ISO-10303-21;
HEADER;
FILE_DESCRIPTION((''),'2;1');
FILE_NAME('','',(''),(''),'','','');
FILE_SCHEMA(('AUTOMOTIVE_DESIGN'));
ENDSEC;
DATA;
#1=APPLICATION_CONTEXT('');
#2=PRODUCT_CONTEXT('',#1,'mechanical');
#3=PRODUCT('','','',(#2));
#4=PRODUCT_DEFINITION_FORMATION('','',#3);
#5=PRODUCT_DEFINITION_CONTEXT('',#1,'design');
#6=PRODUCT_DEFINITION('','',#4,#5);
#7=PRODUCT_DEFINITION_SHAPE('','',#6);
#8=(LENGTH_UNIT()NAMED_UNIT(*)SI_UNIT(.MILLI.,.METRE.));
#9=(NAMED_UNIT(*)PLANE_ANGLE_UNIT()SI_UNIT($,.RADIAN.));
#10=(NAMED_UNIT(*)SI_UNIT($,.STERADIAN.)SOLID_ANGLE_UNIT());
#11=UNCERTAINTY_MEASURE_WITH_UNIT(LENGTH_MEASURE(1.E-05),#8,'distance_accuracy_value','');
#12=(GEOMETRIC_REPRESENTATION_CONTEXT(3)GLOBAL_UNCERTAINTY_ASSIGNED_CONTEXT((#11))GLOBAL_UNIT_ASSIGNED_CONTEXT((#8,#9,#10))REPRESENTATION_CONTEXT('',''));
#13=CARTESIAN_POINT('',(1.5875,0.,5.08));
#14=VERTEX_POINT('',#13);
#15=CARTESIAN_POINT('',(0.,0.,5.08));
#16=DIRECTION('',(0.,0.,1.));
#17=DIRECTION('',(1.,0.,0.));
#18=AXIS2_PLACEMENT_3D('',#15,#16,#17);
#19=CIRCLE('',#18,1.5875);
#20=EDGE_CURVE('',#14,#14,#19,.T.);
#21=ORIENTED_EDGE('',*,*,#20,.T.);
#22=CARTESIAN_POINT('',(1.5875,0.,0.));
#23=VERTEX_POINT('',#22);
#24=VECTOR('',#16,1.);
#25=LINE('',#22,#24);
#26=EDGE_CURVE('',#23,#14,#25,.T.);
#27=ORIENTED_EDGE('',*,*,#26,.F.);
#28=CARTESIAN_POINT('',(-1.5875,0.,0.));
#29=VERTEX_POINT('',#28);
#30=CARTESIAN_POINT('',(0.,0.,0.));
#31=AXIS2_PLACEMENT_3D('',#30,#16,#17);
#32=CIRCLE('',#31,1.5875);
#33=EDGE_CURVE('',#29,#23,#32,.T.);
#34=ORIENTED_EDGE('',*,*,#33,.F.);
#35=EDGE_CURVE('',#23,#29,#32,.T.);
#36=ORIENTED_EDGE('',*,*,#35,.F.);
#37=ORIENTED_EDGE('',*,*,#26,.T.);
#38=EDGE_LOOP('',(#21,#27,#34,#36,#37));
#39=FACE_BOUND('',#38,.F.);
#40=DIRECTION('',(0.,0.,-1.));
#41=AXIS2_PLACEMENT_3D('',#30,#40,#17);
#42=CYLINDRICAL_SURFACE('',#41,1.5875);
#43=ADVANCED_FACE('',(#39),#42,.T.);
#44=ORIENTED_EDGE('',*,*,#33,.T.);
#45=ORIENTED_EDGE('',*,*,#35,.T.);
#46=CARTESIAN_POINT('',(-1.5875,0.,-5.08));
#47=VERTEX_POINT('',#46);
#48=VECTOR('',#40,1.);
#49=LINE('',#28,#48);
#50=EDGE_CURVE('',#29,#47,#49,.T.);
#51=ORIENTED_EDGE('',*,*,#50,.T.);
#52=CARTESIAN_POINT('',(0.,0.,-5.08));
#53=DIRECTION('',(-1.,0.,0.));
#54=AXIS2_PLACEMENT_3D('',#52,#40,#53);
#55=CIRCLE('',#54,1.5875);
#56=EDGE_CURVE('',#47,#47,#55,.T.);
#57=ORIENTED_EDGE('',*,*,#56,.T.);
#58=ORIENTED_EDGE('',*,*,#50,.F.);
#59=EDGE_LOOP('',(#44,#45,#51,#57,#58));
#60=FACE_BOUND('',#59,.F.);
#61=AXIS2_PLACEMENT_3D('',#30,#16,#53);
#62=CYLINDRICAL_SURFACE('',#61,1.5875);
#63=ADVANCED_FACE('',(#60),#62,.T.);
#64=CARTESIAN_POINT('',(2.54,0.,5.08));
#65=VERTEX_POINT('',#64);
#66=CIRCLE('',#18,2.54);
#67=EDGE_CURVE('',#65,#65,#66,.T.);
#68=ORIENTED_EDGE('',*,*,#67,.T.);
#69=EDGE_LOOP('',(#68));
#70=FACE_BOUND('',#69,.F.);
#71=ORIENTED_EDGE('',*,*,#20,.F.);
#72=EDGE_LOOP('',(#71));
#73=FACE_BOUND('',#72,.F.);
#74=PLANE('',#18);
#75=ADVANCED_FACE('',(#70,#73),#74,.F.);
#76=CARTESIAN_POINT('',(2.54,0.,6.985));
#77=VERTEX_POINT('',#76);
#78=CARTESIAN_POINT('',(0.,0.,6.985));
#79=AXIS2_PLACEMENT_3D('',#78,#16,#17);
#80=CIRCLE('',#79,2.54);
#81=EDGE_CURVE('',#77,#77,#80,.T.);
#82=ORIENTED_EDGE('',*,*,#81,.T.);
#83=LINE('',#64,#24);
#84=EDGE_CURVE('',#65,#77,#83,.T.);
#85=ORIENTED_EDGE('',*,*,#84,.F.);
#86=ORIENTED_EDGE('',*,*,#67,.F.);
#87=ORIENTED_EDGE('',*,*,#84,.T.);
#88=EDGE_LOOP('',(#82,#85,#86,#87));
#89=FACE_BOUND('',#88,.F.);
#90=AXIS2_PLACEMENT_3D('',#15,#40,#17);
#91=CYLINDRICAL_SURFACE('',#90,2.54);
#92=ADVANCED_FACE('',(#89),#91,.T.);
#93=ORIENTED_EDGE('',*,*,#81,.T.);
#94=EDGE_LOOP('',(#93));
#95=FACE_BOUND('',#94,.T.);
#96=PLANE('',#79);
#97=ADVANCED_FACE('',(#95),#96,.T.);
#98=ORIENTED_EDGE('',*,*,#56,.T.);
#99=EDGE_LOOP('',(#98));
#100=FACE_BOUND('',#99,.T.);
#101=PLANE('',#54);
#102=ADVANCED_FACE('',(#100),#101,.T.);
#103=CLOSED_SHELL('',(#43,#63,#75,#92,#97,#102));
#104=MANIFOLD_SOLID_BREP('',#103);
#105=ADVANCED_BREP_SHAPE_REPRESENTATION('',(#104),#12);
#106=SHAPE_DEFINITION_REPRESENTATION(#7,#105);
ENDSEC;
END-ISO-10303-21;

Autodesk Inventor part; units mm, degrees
ref_plane "YZ Plane" through (0, 0, 0) normal (1, 0, 0) x (0, 1, 0)
ref_plane "XZ Plane" through (0, 0, 0) normal (0, 1, 0) x (-1, 0, 0)
ref_plane "XY Plane" through (0, 0, 0) normal (0, 0, 1) x (1, 0, 0)
sketch "Sketch1" plane through (0, 0, 0) normal (0, 0, 1) x (1, 0, 0)
  circle A0 centre (0, 0) radius 1.5875
  dimension "d0" = 3.175
extrude "Extrusion1" add sketch "Sketch1" along normal blind 5.08
sketch "Sketch2" plane through (0, 0, 5.08) normal (0, 0, 1) x (1, 0, 0)
  circle A0 centre (0, 0) radius 2.54
  dimension "d3" = 5.08
extrude "Extrusion2" add sketch "Sketch2" along normal blind 1.905
thread "Thread1" size "5-40 UNC" class "2A" standard "ANSI Unified Screw Threads" full length
sketch "Sketch3" plane through (0, 0, 0) normal (0, 0, -1) x (-1, 0, 0)
  circle A0 centre (0, 0) radius 1.5875
extrude "Extrusion3" add sketch "Sketch3" along normal blind 5.08
properties part number "ScrewLong" material "Stainless Steel"
